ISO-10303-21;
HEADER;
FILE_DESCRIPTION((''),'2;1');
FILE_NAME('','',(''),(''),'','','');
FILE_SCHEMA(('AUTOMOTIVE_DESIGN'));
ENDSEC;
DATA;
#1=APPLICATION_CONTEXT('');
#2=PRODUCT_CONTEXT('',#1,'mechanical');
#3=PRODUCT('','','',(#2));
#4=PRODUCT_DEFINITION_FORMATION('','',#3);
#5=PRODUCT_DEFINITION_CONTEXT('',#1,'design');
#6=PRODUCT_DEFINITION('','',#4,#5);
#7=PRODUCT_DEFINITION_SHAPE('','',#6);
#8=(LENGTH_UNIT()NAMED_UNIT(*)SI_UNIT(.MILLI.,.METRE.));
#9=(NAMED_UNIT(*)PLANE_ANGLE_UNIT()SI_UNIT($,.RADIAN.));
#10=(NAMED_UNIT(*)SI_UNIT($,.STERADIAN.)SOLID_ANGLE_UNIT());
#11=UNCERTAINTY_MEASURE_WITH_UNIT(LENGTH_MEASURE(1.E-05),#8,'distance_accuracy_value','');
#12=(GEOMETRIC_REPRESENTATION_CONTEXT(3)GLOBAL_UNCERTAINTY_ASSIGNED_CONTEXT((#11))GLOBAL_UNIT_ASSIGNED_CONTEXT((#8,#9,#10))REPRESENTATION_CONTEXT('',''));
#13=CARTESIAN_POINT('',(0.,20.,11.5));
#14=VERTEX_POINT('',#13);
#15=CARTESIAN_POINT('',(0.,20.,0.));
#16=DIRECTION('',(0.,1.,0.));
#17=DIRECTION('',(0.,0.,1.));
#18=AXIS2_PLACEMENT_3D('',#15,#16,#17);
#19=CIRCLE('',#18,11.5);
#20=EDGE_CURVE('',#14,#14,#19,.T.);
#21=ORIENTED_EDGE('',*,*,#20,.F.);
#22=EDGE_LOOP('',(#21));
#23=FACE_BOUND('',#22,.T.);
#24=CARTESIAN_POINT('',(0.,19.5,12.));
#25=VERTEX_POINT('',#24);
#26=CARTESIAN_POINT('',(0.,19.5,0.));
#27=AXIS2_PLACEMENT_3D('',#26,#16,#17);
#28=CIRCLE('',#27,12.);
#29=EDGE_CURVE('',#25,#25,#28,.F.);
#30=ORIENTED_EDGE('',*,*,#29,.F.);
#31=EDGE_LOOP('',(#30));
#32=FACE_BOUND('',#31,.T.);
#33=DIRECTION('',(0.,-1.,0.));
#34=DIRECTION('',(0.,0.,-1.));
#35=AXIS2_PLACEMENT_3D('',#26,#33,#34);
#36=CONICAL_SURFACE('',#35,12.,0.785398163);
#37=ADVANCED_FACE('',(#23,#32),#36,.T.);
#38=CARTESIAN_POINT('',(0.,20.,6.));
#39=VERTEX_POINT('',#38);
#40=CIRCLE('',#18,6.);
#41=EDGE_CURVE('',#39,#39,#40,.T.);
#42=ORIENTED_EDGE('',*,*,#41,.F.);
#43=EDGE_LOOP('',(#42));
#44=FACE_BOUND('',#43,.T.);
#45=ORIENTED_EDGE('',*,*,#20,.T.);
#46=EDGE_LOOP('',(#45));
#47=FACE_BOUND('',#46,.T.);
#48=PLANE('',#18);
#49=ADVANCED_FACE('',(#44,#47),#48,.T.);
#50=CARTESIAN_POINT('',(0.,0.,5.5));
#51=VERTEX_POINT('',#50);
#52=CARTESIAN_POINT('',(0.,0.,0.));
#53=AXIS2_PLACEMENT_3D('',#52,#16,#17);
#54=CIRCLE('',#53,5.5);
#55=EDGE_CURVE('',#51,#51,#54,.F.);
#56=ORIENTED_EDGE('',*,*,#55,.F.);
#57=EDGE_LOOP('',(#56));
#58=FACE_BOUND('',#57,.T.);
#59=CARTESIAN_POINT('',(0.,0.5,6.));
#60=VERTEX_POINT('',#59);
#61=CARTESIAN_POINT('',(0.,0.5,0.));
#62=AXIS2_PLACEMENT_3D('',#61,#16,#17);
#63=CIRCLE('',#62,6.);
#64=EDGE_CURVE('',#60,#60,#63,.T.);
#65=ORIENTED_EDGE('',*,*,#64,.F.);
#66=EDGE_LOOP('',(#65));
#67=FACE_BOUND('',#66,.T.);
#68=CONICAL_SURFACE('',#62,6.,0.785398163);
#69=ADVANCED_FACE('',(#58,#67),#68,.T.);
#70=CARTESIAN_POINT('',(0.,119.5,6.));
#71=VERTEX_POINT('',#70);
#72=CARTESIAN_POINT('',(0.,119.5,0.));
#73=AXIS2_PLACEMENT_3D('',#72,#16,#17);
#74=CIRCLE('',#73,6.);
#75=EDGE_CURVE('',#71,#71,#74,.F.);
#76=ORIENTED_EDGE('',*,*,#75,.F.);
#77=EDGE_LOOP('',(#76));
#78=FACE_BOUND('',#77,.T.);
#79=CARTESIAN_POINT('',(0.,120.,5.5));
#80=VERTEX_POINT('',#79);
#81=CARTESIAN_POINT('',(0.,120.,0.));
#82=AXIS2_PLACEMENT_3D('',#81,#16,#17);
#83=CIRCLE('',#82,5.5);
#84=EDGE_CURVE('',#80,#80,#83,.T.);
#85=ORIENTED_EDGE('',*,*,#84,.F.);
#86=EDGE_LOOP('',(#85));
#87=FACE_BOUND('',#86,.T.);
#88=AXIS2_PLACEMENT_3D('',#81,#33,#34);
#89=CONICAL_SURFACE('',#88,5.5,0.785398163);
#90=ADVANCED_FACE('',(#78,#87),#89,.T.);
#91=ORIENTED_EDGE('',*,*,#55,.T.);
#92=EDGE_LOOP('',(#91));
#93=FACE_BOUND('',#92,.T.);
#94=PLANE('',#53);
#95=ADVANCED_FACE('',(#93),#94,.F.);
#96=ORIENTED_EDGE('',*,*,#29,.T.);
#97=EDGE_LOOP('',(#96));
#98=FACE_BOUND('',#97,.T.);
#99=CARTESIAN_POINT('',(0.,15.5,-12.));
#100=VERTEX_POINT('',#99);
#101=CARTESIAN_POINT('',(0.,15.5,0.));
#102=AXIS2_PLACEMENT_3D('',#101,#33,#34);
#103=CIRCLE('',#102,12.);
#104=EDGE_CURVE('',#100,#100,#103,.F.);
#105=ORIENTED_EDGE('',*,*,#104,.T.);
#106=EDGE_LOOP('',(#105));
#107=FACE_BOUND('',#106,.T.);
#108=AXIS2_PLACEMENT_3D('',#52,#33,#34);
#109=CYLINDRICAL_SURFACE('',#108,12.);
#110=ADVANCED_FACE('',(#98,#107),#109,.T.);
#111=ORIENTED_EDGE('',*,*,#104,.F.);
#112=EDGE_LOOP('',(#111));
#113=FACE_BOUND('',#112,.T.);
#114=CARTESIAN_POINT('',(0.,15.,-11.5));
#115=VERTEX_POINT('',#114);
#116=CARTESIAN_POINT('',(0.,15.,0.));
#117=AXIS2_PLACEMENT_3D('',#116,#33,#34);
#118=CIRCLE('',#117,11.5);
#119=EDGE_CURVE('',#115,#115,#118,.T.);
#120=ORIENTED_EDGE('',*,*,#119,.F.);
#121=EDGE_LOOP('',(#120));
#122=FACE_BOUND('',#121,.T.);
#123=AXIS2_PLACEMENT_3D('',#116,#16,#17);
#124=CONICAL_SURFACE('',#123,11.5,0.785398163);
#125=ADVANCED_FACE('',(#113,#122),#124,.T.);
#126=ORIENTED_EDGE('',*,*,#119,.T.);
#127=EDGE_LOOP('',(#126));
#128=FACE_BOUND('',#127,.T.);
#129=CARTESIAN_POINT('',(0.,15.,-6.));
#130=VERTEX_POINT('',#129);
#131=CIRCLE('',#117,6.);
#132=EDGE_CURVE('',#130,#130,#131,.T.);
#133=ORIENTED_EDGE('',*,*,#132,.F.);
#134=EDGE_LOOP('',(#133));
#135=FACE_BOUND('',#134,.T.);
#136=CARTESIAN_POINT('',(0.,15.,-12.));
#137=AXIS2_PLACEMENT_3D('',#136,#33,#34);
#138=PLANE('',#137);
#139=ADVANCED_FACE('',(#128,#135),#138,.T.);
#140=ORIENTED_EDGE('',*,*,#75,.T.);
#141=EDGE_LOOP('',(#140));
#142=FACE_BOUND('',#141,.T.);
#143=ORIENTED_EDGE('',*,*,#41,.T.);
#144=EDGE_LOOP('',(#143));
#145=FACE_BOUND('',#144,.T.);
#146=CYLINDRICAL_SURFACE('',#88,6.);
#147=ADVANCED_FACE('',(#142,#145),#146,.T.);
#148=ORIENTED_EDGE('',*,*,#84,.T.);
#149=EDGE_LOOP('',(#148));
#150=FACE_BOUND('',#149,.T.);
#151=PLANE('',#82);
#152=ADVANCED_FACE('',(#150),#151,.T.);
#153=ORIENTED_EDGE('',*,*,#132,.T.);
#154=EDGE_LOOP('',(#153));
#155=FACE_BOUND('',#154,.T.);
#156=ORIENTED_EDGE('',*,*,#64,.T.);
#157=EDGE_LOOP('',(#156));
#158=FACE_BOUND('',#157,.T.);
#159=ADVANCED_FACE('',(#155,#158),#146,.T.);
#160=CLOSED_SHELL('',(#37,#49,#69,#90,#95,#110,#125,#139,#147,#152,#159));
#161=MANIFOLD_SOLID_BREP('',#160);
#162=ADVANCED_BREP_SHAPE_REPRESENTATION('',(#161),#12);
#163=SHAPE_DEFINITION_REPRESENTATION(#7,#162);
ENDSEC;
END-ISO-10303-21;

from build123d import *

# Parameters (mm, degrees)
SKETCH_1_R      = 6
EXTRUDE_1_DEPTH = 120
SKETCH_2_W      = 12
SKETCH_2_H      = 5
CHAMFER_1_SIZE  = 0.5


with BuildPart() as part:
    # 草图1 → 凸台-拉伸1 (new body)
    with BuildSketch(Plane(origin=(0, 0, 0), x_dir=(1, 0, 0), z_dir=(0, 1, 0))):
        with Locations(Location((0, 0, 0), (0, 0, 270))):
            Circle(SKETCH_1_R)
    extrude(amount=EXTRUDE_1_DEPTH)

    # 草图2 → 旋转1 (revolve)
    with BuildSketch(Plane(origin=(0, 0, 0), x_dir=(0, 0, -1), z_dir=(1, 0, 0))):
        with Locations((6, 17.5)):
            Rectangle(SKETCH_2_W, SKETCH_2_H)
    revolve(axis=Axis((0, 0, 0), (0, 1, 0)))

    # 倒角1
    chamfer_1_edges = [part.edges().sort_by_distance(p)[0] for p in [
        (0, 0, -6),
        (0, 120, -6),
        (0, 20, 12),
        (0, 15, 12),
    ]]
    chamfer(chamfer_1_edges, length=CHAMFER_1_SIZE)


solid = part.part
